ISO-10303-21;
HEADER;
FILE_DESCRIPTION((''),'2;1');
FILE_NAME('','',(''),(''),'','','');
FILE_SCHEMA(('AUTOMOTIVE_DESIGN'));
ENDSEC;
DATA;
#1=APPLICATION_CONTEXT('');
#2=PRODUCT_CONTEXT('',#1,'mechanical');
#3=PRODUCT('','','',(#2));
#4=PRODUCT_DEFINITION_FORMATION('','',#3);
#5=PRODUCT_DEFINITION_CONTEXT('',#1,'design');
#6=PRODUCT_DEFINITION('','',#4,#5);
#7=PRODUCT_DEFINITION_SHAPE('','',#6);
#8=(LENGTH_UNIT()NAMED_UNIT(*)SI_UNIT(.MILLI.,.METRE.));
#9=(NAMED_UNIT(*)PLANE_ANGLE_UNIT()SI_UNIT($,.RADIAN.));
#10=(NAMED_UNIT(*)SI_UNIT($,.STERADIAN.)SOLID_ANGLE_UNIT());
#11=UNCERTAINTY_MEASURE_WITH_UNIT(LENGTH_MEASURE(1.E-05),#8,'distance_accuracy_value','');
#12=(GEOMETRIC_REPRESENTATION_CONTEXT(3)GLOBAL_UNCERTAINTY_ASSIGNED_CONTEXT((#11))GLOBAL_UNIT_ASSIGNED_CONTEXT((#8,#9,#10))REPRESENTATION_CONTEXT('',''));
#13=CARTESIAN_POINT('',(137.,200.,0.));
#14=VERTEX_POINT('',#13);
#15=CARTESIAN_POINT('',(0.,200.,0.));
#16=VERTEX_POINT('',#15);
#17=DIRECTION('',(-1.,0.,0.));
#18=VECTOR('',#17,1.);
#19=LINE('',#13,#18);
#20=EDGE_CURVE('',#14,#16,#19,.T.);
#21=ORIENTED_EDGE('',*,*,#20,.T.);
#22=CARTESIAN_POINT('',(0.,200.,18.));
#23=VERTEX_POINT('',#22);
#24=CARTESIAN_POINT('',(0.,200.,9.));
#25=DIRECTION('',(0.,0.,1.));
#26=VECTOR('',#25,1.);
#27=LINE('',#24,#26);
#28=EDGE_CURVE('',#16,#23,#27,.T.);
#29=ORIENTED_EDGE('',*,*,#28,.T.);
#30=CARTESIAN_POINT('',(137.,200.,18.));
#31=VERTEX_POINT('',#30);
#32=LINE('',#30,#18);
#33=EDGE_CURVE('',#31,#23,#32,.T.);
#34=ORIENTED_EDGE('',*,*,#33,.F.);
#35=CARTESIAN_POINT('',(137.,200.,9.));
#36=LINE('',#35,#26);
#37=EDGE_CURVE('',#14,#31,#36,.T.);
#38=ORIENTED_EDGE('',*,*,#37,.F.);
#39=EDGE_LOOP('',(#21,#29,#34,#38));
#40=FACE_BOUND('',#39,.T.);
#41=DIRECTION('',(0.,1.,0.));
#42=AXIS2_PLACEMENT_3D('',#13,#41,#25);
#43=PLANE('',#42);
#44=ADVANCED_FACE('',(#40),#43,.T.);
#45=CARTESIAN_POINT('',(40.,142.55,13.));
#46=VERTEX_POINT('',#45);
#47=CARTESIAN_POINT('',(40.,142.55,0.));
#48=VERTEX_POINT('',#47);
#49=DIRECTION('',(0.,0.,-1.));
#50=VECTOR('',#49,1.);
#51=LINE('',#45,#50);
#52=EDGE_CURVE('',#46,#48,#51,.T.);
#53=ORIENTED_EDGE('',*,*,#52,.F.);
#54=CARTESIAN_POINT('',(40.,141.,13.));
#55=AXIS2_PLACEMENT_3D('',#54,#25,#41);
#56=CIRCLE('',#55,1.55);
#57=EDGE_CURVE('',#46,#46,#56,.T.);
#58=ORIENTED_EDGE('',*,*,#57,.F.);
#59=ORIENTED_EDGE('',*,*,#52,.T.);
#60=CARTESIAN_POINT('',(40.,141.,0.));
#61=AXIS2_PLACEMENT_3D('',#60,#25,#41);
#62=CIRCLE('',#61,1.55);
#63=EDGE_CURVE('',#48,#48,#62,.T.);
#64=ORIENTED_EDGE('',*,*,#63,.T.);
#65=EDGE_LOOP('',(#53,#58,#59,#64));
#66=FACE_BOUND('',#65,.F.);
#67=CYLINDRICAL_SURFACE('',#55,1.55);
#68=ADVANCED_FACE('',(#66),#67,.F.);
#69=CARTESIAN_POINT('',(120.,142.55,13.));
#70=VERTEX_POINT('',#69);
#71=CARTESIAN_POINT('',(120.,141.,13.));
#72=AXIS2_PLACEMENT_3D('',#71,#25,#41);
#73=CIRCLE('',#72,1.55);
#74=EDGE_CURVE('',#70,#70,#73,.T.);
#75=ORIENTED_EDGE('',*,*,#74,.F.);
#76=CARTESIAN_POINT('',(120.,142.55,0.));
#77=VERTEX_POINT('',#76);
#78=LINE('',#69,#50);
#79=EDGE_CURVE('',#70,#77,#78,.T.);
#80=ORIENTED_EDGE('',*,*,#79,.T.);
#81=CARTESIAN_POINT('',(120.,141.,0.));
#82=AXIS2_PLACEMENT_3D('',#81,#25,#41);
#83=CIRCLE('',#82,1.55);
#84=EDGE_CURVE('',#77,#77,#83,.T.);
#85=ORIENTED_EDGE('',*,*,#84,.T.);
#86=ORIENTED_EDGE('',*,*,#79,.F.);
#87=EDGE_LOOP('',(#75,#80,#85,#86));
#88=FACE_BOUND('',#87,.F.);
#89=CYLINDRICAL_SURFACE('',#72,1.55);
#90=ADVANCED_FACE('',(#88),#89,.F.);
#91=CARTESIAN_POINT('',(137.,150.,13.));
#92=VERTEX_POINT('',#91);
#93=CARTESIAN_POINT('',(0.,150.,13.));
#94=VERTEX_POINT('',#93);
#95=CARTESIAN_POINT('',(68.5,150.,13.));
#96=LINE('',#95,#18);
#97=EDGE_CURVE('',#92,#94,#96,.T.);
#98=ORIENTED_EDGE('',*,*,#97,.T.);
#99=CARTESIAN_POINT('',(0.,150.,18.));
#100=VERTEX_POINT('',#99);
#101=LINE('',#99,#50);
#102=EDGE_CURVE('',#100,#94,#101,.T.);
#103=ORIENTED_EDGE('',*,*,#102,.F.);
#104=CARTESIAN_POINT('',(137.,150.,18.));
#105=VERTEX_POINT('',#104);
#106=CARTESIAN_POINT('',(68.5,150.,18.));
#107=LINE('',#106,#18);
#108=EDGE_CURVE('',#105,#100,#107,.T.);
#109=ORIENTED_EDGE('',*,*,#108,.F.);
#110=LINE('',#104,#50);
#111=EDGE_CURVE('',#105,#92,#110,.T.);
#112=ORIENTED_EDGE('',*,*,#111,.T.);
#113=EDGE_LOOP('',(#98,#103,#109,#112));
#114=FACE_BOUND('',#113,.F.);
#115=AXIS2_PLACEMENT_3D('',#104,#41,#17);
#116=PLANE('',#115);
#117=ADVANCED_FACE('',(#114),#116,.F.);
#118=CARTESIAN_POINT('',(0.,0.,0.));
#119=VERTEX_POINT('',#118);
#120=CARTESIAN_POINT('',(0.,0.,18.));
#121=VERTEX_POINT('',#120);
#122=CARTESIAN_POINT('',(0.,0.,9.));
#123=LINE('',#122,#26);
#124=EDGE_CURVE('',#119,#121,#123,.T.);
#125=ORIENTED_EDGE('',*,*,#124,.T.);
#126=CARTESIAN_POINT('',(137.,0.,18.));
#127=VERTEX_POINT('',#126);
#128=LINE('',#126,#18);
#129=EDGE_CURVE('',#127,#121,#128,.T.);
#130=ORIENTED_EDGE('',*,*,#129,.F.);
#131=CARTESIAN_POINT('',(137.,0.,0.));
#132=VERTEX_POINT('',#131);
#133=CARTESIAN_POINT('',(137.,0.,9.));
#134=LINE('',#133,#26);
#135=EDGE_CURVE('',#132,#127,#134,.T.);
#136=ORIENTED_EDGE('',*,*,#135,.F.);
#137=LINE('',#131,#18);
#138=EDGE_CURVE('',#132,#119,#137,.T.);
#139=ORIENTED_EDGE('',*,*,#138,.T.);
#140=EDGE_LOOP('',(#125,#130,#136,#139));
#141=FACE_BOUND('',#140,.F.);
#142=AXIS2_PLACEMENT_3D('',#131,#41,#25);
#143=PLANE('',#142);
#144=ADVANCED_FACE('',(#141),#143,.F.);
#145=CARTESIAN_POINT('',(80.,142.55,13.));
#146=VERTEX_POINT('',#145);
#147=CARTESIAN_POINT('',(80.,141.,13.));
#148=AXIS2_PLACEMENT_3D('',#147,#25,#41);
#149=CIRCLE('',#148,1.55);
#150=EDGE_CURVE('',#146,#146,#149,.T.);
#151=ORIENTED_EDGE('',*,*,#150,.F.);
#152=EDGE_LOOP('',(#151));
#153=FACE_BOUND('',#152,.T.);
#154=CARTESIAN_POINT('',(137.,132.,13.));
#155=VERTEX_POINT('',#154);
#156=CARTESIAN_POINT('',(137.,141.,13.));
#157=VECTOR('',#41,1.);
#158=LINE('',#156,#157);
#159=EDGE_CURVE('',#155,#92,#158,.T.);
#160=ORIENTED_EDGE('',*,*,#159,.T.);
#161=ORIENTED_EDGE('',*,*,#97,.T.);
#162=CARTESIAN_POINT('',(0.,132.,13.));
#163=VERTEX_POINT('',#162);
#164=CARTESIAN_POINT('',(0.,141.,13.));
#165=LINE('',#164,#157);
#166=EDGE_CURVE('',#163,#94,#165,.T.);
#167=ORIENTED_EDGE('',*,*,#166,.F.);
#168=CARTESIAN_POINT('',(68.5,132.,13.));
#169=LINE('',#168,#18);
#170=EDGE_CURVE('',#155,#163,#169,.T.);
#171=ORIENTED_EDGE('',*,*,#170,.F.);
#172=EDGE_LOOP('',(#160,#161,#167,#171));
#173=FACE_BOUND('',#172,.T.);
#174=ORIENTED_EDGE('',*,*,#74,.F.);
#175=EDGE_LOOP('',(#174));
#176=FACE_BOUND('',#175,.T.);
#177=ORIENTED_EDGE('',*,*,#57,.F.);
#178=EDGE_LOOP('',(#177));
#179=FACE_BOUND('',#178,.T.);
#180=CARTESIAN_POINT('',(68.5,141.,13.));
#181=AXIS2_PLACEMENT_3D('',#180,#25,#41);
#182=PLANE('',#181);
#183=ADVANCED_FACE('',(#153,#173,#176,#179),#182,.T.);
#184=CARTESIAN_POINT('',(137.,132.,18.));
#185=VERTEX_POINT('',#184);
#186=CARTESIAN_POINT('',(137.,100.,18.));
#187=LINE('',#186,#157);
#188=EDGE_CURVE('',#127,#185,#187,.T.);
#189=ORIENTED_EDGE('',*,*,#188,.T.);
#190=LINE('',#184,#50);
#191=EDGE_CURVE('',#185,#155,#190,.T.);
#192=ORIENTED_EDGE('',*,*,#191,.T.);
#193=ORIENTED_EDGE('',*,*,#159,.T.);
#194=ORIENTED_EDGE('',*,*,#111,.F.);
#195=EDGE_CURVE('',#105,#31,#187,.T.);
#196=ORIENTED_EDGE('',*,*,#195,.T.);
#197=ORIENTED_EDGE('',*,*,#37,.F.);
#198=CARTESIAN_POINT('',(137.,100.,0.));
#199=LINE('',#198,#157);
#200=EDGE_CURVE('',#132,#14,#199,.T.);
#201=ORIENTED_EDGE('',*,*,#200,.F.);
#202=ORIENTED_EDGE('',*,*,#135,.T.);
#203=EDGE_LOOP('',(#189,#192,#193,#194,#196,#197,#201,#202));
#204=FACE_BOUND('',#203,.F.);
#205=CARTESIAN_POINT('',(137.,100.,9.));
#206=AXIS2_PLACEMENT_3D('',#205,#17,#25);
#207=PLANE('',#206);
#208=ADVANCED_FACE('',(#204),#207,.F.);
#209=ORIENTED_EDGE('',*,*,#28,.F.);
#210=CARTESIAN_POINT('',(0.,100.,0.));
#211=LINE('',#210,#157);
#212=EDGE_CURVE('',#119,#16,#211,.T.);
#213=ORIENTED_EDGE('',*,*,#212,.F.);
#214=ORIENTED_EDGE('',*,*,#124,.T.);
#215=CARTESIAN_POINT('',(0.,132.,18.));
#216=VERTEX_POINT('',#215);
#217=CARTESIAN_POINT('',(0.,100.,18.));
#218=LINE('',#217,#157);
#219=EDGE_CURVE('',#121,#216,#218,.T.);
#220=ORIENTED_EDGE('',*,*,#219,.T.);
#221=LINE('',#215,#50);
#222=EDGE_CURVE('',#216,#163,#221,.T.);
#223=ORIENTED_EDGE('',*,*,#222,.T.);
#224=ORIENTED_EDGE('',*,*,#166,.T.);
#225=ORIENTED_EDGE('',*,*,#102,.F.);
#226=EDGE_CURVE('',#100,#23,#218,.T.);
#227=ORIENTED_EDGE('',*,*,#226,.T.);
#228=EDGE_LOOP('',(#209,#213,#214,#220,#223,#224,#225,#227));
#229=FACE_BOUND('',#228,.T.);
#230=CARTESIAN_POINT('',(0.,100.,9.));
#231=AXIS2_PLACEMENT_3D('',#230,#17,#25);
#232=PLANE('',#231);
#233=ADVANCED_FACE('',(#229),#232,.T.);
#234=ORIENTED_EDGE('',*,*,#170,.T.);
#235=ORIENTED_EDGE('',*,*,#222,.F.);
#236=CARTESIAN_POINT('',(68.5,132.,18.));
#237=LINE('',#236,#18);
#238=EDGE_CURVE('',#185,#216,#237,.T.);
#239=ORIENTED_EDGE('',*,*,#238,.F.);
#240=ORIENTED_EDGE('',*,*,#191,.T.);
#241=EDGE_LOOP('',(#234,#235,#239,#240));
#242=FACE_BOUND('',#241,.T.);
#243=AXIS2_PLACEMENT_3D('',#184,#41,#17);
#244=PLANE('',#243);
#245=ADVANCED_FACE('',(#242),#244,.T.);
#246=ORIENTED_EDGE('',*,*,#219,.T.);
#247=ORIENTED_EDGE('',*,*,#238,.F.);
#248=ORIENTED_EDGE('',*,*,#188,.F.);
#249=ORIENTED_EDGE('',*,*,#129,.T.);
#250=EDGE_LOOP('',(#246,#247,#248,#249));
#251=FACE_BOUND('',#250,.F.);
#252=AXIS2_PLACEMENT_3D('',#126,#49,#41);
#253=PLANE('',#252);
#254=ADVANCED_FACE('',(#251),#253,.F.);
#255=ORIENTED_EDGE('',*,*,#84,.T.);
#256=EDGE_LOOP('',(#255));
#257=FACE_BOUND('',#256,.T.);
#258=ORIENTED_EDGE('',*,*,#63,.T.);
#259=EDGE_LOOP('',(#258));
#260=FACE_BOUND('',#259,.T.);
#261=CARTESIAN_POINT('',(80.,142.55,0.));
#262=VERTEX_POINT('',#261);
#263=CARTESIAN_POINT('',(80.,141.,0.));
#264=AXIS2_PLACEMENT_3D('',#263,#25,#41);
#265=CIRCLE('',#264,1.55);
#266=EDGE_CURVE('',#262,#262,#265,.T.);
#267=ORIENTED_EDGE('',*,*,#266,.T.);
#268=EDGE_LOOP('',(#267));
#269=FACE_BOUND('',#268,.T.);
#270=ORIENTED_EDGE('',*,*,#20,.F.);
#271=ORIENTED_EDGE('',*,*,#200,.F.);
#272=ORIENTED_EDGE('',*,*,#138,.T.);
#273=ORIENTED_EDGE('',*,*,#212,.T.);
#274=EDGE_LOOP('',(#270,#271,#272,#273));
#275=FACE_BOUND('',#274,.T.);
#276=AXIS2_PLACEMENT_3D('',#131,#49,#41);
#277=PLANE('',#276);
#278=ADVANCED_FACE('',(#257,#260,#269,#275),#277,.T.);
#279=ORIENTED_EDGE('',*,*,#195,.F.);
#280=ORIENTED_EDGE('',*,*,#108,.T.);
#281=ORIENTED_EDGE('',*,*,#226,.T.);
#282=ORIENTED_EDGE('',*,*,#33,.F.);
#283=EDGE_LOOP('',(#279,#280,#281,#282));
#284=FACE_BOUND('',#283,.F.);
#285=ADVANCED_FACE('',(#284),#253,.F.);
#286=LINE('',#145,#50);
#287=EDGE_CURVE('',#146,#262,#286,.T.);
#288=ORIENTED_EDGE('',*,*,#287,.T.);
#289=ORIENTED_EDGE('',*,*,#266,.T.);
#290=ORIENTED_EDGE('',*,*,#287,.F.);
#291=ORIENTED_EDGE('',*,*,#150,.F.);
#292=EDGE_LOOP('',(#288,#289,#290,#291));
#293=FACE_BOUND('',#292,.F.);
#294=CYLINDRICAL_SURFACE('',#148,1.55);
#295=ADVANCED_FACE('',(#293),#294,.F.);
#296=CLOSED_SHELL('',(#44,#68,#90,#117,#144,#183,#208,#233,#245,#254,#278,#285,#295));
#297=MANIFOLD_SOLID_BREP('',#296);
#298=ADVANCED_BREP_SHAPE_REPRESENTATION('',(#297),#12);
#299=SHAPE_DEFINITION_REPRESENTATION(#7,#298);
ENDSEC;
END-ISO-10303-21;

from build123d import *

# Parameters (mm, degrees)
BOX_W                    = 18
BOX_H                    = 200
BOX_DEPTH                = 137
SKETCH001_W              = 18
SKETCH001_H              = 137
POCKET001_DEPTH          = 5
SKETCH003_R              = 1.55
HOLE_DEPTH               = 13.001
CLONE002_PLACEMENT_ANGLE = 90


with BuildPart() as part:
    # Box → Box (new body)
    with BuildSketch(Plane.XY):
        with Locations((9, 100)):
            Rectangle(BOX_W, BOX_H)
    extrude(amount=BOX_DEPTH)

    # Sketch001 (on Face2 of BaseFeature001) → Pocket001 (cut)
    with BuildSketch(Plane.YZ.offset(18)):
        with Locations((141, 68.5)):
            Rectangle(SKETCH001_W, SKETCH001_H)
    extrude(amount=-POCKET001_DEPTH, mode=Mode.SUBTRACT)

    # Sketch003 (on Face9 of Pocket001) → Hole (cut, through all)
    with BuildSketch(Plane.YZ.offset(13)):
        with Locations((141, 97)):
            Circle(SKETCH003_R)
        with Locations((141, 57)):
            Circle(SKETCH003_R)
        with Locations((141, 17)):
            Circle(SKETCH003_R)
    extrude(amount=-HOLE_DEPTH, mode=Mode.SUBTRACT)


with BuildPart() as part_1:
    # Clone002 placement: moved
    add(part.part.moved(Location((137, 0, 0))).rotate(Axis((137, 0, 0), (0, -1, 0)), CLONE002_PLACEMENT_ANGLE))


solid = part_1.part
